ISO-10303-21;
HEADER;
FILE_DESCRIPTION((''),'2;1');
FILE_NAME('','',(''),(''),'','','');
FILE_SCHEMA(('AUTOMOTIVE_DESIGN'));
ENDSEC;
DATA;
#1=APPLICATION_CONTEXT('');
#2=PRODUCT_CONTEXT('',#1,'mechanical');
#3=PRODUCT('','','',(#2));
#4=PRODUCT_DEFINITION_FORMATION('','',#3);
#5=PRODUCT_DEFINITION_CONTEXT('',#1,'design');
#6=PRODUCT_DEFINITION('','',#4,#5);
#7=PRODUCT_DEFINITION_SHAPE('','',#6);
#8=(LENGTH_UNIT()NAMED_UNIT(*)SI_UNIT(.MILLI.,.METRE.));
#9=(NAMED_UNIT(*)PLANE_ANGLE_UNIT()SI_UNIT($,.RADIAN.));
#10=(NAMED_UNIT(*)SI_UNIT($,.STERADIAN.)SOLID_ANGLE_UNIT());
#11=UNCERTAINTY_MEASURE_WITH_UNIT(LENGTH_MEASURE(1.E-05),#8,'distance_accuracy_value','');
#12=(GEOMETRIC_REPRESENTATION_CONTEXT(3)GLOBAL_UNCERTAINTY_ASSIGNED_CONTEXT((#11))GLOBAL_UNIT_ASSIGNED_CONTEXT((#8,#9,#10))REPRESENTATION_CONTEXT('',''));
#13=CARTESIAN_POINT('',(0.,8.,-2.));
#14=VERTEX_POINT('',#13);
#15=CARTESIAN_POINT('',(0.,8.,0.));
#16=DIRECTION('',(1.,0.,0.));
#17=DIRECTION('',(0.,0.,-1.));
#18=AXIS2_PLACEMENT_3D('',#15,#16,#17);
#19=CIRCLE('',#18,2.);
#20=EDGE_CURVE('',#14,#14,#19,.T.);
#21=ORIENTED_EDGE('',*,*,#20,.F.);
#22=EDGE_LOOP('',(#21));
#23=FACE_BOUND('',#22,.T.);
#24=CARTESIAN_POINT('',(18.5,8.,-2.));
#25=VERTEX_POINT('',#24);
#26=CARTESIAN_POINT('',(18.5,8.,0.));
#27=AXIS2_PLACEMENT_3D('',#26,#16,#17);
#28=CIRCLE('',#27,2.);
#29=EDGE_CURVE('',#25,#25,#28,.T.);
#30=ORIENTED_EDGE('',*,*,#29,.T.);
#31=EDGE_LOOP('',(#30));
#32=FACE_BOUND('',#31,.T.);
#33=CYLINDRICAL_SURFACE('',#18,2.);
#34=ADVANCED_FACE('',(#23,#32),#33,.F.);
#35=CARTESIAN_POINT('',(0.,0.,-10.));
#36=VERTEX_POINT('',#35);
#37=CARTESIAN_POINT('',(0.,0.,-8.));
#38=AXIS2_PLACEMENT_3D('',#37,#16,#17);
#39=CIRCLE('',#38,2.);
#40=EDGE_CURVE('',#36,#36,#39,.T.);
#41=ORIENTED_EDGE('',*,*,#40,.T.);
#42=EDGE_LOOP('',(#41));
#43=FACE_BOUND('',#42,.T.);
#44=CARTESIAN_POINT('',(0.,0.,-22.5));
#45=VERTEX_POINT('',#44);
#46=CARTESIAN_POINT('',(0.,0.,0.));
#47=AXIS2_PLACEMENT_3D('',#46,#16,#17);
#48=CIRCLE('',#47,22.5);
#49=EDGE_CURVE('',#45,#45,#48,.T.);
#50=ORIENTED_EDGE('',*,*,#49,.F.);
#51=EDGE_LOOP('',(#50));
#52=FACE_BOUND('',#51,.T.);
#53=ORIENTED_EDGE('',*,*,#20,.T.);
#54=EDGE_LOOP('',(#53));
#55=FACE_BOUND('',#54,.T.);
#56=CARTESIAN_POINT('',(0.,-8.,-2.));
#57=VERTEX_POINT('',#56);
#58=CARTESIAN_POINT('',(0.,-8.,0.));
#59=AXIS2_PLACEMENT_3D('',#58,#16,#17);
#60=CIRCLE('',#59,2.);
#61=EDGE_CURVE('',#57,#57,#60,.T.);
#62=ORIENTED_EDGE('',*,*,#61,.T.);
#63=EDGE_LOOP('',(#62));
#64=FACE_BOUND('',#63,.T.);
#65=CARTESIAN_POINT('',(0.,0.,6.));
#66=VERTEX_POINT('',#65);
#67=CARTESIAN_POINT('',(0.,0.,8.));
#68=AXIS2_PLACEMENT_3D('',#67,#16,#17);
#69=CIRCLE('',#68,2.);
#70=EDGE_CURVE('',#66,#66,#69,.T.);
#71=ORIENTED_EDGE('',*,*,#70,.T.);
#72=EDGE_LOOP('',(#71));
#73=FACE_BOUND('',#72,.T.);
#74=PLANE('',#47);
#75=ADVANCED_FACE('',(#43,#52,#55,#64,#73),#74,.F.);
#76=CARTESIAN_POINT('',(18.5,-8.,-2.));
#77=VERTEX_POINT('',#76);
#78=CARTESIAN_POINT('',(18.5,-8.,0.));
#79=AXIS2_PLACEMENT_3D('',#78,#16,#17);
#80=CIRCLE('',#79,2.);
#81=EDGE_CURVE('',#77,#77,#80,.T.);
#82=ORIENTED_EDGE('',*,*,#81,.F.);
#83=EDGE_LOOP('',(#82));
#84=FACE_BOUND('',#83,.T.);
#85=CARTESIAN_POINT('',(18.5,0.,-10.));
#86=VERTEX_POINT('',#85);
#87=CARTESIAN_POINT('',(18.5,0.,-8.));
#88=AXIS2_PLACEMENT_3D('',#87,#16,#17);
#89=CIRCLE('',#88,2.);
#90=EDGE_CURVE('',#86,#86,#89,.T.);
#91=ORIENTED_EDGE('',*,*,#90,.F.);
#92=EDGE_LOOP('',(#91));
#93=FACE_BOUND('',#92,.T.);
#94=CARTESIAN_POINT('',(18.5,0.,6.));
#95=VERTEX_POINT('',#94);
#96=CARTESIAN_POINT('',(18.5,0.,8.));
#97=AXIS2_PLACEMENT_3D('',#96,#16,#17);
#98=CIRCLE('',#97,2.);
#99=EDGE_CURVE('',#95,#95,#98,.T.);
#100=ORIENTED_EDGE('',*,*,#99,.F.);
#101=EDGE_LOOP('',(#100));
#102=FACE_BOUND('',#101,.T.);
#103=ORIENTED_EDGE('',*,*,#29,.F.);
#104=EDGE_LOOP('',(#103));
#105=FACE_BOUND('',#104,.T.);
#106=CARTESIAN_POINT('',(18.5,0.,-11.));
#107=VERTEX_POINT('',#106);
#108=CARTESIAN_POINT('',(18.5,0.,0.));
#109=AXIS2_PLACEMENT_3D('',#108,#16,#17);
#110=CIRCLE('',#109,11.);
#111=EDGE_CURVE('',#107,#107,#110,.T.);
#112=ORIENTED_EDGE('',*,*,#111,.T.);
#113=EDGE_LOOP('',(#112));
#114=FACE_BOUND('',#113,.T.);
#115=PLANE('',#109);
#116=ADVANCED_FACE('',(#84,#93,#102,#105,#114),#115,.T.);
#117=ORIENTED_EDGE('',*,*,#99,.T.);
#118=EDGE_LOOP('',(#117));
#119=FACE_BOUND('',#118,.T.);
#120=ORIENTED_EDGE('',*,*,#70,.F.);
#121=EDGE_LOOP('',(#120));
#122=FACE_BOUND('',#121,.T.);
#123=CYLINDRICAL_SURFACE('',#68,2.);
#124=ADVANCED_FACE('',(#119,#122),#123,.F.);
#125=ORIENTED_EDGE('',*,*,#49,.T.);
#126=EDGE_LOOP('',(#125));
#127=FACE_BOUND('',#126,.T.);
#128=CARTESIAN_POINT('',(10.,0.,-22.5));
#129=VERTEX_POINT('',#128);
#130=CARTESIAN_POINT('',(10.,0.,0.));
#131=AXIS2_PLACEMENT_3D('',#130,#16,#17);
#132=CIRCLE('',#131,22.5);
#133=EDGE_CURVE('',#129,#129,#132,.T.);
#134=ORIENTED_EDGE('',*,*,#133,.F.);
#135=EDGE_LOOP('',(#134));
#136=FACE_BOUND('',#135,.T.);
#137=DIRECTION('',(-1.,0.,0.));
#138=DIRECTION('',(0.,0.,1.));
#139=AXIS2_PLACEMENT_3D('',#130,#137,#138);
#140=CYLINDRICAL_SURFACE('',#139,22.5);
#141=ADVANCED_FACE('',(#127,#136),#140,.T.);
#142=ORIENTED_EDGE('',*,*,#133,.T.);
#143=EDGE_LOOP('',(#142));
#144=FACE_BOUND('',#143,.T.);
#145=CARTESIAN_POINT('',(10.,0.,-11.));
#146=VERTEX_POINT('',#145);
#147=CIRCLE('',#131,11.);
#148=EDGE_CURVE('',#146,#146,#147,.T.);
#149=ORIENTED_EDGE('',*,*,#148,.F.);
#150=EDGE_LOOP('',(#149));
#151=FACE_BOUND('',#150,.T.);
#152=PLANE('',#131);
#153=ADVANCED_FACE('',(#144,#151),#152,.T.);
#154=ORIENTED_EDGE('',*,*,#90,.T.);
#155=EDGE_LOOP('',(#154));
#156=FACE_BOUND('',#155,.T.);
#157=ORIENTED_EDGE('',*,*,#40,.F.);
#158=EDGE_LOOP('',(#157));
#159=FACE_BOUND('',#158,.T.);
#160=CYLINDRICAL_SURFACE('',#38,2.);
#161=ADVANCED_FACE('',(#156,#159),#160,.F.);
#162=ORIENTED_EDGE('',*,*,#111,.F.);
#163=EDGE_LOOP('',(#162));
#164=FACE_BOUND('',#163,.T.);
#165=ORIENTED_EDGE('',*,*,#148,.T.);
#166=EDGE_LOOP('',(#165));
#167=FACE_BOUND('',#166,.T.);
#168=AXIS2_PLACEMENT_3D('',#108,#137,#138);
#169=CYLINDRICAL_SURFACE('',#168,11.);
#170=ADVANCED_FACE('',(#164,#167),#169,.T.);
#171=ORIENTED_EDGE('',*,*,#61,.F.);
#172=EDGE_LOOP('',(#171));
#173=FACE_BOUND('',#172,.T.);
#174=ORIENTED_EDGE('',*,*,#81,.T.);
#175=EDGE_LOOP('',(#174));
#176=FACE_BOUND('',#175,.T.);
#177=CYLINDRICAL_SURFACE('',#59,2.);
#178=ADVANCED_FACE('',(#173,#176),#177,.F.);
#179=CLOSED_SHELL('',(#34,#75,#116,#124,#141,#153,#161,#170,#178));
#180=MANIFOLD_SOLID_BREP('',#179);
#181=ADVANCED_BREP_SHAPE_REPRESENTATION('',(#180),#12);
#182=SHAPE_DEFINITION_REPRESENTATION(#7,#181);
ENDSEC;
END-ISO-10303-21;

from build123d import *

# Parameters (mm, degrees)
SKETCH3_R           = 22.5
BOSS_EXTRUDE1_DEPTH = 10
SKETCH4_R           = 11
BOSS_EXTRUDE2_DEPTH = 8.5
SKETCH5_R           = 2
CUT_EXTRUDE1_DEPTH  = 37.806928696


with BuildPart() as part:
    # Sketch3 → Boss-Extrude1 (new body)
    with BuildSketch(Plane(origin=(0, 0, 0), x_dir=(0, 0, -1), z_dir=(1, 0, 0))):
        Circle(SKETCH3_R)
    extrude(amount=BOSS_EXTRUDE1_DEPTH)

    # Sketch4 → Boss-Extrude2 (add)
    with BuildSketch(Plane(origin=(10, 0, 0), x_dir=(0, 0, -1), z_dir=(1, 0, 0))):
        Circle(SKETCH4_R)
    extrude(amount=BOSS_EXTRUDE2_DEPTH)

    # Sketch5 → Cut-Extrude1 (cut, through all)
    with BuildSketch(Plane(origin=(18.5, 0, 0), x_dir=(0, 0, -1), z_dir=(1, 0, 0))):
        with Locations((0, 8)):
            Circle(SKETCH5_R)
        with Locations((8, 0)):
            Circle(SKETCH5_R)
        with Locations((0, -8)):
            Circle(SKETCH5_R)
        with Locations((-8, 0)):
            Circle(SKETCH5_R)
    extrude(amount=-CUT_EXTRUDE1_DEPTH, mode=Mode.SUBTRACT)


solid = part.part
